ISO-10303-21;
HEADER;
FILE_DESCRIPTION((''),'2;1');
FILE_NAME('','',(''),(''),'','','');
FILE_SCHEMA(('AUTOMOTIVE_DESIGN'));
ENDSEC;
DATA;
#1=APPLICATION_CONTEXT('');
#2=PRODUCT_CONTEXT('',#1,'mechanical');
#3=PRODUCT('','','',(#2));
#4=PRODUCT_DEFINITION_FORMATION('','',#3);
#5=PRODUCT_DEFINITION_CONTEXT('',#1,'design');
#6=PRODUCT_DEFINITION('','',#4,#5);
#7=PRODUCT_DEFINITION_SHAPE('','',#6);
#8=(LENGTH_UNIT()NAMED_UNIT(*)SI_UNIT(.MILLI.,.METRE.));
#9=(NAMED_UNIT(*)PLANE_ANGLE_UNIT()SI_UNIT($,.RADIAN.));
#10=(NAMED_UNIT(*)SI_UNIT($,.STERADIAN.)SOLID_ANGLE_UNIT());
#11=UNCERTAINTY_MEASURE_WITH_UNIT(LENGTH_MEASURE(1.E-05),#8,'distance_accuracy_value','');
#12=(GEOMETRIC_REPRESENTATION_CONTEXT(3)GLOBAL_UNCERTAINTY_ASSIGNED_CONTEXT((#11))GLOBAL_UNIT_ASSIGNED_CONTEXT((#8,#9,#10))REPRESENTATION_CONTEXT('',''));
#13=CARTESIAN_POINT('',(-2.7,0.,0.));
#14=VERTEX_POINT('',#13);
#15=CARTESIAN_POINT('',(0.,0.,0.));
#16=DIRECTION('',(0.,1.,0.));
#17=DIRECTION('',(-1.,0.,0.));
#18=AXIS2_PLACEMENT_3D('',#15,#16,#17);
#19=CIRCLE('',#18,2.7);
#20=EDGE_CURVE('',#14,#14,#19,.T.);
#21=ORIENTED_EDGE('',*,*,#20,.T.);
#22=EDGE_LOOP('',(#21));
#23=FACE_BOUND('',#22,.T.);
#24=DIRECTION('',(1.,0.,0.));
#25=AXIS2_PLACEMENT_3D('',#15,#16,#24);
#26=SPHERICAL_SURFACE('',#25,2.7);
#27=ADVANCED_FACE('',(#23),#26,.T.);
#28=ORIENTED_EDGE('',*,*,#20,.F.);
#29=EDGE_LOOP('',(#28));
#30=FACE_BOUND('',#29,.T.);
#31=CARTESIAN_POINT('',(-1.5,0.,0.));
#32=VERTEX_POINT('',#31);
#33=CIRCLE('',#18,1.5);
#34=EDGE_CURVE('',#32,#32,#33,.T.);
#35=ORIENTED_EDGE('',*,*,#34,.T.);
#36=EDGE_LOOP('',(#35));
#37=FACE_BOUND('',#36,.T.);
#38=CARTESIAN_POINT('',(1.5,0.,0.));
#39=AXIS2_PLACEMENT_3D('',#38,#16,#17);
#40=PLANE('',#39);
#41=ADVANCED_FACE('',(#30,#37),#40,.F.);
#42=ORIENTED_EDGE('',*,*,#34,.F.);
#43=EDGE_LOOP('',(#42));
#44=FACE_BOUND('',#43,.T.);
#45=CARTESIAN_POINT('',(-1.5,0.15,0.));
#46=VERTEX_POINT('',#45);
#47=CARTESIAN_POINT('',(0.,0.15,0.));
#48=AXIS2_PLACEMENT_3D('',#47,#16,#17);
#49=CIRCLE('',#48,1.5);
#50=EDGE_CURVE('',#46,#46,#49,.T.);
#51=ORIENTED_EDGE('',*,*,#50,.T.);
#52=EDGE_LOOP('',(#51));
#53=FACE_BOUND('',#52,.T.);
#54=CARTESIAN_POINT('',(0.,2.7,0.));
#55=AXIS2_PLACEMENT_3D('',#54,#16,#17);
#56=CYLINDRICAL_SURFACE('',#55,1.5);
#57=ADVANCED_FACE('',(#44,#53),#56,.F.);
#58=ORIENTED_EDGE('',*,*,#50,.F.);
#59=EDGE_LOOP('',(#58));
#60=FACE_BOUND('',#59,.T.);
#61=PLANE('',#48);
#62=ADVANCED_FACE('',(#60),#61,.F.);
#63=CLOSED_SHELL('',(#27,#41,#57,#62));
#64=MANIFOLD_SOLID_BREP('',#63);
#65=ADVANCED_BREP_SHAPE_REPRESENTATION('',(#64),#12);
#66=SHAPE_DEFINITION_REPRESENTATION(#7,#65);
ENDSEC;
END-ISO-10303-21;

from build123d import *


with BuildPart() as part:
    # Sketch1 → Revolve1 (revolve)
    with BuildSketch(Plane.XY):
        with BuildLine():
            Line((0, 2.7), (0, 0.15))
            Line((0, 0.15), (1.5, 0.15))
            Line((1.5, 0.15), (1.5, 0))
            Line((1.5, 0), (2.7, 0))
            ThreePointArc((2.7, 0), (1.909188309, 1.909188309), (0, 2.7))
        make_face()
    revolve(axis=Axis((0, 2.7, 0), (0, -1, 0)))


solid = part.part
